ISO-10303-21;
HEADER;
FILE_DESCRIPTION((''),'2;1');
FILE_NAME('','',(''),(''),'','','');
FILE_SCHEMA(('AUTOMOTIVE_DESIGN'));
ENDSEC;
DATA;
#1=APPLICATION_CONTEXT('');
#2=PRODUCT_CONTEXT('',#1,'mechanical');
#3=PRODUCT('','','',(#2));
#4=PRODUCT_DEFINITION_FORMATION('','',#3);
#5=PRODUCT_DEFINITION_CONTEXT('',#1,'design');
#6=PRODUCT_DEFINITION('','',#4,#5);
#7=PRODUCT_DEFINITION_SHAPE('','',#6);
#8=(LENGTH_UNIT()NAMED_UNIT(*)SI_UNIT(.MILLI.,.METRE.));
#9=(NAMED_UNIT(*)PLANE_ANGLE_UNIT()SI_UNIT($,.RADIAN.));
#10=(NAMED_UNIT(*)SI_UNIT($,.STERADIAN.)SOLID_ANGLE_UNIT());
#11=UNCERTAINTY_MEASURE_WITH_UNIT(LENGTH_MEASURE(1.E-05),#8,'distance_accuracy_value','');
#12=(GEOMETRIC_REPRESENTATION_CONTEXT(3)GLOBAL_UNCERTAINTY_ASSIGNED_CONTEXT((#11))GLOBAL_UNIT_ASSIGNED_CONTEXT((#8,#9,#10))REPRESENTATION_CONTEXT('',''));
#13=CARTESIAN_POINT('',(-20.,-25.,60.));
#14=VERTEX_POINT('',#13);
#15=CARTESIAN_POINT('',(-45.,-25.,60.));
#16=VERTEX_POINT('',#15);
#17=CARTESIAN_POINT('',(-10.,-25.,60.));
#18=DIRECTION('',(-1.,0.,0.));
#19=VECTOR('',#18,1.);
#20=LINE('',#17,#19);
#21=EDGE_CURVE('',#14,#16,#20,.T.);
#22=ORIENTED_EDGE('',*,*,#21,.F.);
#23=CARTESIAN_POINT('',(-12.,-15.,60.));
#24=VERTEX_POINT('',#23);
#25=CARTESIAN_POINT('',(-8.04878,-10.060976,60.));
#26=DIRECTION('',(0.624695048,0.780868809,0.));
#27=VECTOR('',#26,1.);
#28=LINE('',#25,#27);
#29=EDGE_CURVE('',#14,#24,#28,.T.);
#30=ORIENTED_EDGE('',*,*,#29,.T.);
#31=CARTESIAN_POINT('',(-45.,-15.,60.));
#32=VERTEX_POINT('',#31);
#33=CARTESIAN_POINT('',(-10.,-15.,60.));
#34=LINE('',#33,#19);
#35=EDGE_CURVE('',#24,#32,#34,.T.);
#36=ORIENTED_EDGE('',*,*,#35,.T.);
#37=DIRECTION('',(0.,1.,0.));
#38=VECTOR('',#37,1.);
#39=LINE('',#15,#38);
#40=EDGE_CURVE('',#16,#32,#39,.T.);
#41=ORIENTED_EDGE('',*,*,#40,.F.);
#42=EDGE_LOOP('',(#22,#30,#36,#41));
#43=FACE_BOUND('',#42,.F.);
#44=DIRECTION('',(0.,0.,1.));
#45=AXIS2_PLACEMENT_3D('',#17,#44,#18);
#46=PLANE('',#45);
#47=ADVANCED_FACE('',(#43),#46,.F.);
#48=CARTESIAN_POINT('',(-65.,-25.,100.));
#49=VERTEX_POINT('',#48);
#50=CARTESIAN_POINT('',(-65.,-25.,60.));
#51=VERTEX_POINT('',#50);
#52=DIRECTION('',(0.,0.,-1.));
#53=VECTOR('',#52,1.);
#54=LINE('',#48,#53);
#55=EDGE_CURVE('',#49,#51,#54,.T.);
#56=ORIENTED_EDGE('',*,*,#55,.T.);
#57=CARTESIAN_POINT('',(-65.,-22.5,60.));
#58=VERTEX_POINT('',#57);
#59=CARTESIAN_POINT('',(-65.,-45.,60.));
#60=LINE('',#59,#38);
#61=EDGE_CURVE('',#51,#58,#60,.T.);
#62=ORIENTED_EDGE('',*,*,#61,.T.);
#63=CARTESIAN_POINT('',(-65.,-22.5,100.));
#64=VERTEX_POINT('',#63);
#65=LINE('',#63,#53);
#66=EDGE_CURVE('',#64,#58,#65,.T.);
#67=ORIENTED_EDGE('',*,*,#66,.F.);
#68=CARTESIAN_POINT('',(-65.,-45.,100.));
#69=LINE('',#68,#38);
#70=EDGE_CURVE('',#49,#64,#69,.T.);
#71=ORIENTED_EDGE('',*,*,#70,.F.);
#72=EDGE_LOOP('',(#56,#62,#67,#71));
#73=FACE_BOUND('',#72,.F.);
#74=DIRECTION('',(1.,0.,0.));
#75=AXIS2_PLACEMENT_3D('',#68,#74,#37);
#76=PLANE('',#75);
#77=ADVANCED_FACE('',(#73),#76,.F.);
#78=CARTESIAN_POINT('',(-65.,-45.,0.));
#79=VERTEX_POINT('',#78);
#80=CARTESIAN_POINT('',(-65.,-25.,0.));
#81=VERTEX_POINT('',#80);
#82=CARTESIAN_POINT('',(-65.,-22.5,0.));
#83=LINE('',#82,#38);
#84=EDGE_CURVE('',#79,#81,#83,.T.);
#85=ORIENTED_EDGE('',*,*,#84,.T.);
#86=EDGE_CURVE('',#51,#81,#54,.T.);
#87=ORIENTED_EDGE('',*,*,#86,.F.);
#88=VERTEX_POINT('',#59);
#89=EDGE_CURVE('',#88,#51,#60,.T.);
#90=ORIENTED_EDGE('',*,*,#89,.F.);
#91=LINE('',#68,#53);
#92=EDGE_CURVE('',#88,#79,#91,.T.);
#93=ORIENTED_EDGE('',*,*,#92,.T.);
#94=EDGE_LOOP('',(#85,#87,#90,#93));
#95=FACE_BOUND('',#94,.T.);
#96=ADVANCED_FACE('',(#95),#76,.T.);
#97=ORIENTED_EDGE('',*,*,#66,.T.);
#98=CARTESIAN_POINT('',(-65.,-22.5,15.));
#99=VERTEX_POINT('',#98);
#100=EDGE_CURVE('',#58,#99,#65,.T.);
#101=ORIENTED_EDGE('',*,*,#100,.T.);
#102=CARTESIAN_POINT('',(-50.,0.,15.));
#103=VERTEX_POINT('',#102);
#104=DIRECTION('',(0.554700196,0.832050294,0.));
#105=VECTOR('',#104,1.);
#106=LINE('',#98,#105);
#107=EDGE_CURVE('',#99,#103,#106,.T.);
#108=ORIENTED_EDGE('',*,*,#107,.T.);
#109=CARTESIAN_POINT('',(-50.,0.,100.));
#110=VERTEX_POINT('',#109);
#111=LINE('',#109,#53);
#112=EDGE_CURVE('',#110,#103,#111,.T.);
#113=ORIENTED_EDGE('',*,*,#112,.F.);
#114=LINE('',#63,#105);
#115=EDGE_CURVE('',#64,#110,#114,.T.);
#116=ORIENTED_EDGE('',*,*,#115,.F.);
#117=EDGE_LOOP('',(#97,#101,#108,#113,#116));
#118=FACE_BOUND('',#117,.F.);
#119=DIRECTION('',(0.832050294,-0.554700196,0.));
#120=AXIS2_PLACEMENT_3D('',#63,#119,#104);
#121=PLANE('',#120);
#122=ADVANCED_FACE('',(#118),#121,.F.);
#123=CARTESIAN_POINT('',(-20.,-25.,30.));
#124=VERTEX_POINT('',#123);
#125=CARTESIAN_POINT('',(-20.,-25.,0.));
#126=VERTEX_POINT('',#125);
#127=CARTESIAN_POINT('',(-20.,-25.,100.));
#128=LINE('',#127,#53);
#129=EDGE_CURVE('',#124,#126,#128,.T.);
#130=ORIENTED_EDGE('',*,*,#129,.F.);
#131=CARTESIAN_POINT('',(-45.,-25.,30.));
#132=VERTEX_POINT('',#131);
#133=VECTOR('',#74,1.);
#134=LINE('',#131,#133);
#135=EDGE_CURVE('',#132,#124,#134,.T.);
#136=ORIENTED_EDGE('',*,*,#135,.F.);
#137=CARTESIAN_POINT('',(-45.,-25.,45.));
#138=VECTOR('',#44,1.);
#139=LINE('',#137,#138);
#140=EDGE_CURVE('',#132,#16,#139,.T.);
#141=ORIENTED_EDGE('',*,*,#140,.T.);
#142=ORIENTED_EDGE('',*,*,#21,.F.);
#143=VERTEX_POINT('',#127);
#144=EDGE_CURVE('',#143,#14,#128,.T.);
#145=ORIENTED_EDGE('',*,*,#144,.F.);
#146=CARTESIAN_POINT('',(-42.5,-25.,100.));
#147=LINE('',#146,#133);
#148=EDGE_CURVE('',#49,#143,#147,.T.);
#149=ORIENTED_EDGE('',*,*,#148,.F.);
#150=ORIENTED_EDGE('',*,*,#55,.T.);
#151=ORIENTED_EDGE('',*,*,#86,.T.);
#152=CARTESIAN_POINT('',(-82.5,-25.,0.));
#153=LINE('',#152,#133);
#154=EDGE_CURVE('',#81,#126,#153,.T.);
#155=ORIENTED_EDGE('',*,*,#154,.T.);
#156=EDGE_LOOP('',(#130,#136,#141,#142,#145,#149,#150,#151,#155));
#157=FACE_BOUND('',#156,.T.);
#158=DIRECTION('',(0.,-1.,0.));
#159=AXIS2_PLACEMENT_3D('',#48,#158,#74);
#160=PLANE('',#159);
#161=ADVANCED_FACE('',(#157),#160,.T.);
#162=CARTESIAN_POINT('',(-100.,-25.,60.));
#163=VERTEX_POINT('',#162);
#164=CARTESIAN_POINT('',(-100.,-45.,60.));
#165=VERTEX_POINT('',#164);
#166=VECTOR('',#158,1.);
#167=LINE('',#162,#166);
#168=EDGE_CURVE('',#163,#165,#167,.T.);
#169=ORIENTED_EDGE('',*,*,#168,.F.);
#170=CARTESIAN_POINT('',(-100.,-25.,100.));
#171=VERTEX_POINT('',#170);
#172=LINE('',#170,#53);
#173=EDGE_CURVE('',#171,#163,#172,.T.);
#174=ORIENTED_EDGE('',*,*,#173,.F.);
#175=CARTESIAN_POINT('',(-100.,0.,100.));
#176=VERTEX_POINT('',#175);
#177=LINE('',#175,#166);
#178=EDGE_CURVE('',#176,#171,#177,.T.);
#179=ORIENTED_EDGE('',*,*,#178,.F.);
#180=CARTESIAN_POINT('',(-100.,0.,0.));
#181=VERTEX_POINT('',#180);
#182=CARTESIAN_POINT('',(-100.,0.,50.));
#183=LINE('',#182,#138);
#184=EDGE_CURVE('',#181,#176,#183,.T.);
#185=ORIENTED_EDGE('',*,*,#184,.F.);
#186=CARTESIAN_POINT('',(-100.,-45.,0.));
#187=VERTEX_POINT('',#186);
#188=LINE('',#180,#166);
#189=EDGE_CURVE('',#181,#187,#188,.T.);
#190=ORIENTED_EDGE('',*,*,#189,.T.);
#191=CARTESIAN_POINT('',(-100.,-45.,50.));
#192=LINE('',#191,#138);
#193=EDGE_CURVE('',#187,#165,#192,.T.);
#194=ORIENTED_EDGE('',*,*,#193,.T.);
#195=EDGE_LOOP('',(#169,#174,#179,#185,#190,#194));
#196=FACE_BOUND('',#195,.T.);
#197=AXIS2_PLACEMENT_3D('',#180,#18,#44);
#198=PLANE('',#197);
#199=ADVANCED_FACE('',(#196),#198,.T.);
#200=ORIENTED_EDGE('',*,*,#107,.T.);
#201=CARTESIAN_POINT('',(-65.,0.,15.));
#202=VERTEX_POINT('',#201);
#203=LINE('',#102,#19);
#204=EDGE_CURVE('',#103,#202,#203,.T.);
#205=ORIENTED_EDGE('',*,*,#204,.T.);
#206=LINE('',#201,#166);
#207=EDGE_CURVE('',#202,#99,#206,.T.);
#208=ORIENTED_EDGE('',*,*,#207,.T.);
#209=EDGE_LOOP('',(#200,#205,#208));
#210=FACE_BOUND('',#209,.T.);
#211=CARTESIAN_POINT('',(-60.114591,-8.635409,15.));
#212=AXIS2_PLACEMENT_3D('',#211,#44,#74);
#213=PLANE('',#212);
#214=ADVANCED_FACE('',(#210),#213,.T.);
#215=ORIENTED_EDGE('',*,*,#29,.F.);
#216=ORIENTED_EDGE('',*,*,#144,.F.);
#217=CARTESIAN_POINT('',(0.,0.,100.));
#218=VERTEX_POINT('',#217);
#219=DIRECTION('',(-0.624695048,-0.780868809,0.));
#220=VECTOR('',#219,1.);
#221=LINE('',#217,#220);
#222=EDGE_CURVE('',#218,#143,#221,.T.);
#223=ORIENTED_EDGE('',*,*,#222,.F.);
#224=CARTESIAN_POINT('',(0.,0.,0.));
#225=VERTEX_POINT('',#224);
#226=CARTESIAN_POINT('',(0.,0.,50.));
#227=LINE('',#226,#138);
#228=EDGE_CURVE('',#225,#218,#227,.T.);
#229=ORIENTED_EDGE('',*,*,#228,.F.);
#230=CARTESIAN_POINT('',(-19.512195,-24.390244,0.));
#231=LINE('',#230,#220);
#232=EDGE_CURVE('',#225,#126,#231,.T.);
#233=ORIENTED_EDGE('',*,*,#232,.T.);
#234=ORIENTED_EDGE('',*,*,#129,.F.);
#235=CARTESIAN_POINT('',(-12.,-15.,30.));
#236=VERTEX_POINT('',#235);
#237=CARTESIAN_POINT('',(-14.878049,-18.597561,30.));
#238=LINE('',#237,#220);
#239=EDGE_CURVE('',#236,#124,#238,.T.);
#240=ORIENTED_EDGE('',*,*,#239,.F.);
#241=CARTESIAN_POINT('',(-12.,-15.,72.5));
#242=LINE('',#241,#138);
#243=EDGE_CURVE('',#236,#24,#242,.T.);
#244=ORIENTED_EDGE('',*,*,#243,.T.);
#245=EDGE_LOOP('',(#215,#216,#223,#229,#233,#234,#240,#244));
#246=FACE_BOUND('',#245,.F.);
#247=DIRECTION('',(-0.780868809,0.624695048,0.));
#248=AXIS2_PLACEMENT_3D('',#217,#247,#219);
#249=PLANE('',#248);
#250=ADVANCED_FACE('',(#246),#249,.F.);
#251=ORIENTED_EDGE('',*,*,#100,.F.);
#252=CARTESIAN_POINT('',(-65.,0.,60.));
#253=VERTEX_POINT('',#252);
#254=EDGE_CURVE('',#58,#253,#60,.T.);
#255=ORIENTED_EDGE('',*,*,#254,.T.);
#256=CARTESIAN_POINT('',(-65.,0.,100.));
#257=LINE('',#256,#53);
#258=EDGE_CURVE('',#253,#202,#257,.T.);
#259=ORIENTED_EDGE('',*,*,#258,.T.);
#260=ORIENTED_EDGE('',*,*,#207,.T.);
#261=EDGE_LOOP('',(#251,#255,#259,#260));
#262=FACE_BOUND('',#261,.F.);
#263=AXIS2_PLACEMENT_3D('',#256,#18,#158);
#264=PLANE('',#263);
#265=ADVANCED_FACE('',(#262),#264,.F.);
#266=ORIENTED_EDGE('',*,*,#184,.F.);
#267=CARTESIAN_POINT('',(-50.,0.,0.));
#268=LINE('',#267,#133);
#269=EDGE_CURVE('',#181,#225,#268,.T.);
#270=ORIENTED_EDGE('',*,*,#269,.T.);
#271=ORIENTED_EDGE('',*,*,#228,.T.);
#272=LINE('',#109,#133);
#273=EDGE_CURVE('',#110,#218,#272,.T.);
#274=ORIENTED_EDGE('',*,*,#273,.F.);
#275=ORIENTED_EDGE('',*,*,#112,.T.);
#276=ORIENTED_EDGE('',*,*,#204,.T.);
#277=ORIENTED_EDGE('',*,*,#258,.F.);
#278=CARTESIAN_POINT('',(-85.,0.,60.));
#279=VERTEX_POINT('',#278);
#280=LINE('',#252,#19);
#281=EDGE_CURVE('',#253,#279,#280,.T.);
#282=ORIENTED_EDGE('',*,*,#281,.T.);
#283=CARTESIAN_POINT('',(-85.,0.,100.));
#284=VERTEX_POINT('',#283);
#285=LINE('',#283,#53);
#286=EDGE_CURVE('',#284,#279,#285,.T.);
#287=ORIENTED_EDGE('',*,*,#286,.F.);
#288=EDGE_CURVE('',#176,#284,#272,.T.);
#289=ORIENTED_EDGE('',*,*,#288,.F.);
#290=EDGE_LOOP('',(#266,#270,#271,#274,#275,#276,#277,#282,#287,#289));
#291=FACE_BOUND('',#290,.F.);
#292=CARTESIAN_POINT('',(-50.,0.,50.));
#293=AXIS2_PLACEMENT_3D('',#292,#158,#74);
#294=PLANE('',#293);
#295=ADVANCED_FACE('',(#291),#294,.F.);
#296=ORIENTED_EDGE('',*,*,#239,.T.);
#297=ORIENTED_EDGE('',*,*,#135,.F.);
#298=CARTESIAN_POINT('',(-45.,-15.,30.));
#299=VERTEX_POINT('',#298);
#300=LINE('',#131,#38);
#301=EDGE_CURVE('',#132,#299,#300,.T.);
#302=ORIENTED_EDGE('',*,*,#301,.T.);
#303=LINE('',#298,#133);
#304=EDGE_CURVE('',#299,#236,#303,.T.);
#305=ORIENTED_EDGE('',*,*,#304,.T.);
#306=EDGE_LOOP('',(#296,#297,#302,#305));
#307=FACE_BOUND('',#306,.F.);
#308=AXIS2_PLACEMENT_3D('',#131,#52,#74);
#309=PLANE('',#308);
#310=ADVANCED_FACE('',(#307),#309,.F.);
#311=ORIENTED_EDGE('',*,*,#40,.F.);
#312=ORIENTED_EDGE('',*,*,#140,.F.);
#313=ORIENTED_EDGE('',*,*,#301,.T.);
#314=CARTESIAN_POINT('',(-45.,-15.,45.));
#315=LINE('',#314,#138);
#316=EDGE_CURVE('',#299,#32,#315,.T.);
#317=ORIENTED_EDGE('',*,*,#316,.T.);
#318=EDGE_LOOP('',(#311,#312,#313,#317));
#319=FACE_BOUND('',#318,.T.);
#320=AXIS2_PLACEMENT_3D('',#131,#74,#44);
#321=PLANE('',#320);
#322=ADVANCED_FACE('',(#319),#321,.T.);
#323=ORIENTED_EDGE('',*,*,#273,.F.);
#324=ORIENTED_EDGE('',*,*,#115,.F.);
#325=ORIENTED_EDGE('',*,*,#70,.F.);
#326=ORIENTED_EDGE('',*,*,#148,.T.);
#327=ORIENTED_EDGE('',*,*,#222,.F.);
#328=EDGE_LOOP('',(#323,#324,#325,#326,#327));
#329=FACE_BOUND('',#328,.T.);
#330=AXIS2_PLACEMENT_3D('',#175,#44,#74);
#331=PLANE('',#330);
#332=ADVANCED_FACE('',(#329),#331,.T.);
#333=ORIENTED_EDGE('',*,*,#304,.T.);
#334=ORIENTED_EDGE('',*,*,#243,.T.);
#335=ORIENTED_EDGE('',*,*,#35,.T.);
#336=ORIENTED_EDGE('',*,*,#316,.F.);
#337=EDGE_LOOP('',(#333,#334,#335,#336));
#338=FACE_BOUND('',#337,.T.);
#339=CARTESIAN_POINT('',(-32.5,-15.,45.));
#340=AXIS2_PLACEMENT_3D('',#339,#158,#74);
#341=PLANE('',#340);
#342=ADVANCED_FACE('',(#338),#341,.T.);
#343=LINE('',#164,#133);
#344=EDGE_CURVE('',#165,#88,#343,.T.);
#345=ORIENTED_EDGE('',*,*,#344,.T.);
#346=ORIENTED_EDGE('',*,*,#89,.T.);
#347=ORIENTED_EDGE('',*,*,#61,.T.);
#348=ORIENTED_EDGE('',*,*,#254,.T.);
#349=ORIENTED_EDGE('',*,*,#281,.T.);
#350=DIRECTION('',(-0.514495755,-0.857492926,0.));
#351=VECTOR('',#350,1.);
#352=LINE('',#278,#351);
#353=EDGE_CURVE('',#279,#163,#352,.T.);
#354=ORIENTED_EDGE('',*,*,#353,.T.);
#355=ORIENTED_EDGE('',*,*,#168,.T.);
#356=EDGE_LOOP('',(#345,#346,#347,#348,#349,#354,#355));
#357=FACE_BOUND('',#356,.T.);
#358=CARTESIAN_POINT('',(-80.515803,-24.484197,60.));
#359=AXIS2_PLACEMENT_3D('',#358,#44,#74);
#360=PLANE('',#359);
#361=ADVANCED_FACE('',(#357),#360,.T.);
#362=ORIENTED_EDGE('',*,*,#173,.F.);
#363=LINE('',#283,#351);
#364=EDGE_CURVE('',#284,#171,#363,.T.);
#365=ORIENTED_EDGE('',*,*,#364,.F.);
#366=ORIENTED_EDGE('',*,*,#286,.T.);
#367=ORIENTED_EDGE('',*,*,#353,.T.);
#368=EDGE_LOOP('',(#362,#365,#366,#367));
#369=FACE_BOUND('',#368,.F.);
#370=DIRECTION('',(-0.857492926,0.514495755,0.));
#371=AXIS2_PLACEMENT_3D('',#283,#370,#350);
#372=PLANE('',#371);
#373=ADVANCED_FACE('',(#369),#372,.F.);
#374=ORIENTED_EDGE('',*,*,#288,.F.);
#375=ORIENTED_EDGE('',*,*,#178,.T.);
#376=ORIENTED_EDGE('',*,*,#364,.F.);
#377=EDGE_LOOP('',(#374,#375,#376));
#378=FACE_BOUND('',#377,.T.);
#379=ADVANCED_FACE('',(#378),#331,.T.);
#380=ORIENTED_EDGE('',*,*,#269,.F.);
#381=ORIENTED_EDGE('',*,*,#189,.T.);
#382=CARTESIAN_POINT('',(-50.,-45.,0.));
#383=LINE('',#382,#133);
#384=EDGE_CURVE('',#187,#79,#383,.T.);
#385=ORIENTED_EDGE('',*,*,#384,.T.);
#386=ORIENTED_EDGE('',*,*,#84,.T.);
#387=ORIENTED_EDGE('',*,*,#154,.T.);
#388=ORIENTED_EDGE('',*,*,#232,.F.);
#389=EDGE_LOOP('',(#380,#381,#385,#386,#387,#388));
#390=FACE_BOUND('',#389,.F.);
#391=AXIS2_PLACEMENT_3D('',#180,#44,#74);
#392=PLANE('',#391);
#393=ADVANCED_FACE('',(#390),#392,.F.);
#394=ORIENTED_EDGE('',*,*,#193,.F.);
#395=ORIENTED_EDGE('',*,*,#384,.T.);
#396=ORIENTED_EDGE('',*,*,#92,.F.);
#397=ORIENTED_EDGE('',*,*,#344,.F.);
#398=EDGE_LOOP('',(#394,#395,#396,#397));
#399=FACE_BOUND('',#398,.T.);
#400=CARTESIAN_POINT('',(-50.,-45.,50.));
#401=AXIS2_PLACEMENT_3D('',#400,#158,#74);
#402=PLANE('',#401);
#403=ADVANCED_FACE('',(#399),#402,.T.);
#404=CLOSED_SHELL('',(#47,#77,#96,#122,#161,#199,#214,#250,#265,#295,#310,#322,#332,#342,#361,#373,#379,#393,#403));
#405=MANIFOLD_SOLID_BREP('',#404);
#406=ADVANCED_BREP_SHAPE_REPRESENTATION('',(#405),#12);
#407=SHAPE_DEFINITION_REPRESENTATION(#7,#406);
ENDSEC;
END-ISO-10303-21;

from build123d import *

# Parameters (mm, degrees)
F0_W      = 100
F0_H      = 100
F1_DEPTH  = 45
F3_DEPTH  = 40
F5_DEPTH  = 85
F6_W      = 45
F6_H      = 20
F7_DEPTH  = 100.001
F9_DEPTH  = 100.001
F10_W     = 25
F10_H     = 30
F10_W_2   = 10
F11_DEPTH = 10


with BuildPart() as f1:
    # F0 (on Front) → F1 (new body)
    with BuildSketch(Plane.XZ):
        with Locations((-50, 50)):
            Rectangle(F0_W, F0_H)
    extrude(amount=F1_DEPTH)

    # F2 (on face) → F3 (cut)
    with BuildSketch(Plane.XY.offset(100)):
        Polygon((-100, -25), (-100, -45), (-65, -45), (-65, 0), (-85, 0), align=None)
    extrude(amount=-F3_DEPTH, mode=Mode.SUBTRACT)

    # F4 (on face) → F5 (cut)
    with BuildSketch(Plane.XY.offset(100)):
        Polygon((-50, 0), (-65, 0), (-65, -22.5), align=None)
    extrude(amount=-F5_DEPTH, mode=Mode.SUBTRACT)

    # F6 (on face) → F7 (cut, through all)
    with BuildSketch(Plane.XY.offset(100)):
        with Locations((-42.5, -35)):
            Rectangle(F6_W, F6_H)
    extrude(amount=-F7_DEPTH, mode=Mode.SUBTRACT)

    # F8 (on face) → F9 (cut, through all)
    with BuildSketch(Plane.XY.offset(100)):
        Polygon((0, 0), (-20, -25), (-20, -45), (0, -45), align=None)
    extrude(amount=-F9_DEPTH, mode=Mode.SUBTRACT)

    # F10 (on face) → F11 (cut)
    with BuildSketch(Plane.XZ.offset(25)):
        with Locations((-32.5, 45)):
            Rectangle(F10_W, F10_H)
        with Locations((-15, 45)):
            Rectangle(F10_W_2, F10_H)
    extrude(amount=-F11_DEPTH, mode=Mode.SUBTRACT)


solid = f1.part
